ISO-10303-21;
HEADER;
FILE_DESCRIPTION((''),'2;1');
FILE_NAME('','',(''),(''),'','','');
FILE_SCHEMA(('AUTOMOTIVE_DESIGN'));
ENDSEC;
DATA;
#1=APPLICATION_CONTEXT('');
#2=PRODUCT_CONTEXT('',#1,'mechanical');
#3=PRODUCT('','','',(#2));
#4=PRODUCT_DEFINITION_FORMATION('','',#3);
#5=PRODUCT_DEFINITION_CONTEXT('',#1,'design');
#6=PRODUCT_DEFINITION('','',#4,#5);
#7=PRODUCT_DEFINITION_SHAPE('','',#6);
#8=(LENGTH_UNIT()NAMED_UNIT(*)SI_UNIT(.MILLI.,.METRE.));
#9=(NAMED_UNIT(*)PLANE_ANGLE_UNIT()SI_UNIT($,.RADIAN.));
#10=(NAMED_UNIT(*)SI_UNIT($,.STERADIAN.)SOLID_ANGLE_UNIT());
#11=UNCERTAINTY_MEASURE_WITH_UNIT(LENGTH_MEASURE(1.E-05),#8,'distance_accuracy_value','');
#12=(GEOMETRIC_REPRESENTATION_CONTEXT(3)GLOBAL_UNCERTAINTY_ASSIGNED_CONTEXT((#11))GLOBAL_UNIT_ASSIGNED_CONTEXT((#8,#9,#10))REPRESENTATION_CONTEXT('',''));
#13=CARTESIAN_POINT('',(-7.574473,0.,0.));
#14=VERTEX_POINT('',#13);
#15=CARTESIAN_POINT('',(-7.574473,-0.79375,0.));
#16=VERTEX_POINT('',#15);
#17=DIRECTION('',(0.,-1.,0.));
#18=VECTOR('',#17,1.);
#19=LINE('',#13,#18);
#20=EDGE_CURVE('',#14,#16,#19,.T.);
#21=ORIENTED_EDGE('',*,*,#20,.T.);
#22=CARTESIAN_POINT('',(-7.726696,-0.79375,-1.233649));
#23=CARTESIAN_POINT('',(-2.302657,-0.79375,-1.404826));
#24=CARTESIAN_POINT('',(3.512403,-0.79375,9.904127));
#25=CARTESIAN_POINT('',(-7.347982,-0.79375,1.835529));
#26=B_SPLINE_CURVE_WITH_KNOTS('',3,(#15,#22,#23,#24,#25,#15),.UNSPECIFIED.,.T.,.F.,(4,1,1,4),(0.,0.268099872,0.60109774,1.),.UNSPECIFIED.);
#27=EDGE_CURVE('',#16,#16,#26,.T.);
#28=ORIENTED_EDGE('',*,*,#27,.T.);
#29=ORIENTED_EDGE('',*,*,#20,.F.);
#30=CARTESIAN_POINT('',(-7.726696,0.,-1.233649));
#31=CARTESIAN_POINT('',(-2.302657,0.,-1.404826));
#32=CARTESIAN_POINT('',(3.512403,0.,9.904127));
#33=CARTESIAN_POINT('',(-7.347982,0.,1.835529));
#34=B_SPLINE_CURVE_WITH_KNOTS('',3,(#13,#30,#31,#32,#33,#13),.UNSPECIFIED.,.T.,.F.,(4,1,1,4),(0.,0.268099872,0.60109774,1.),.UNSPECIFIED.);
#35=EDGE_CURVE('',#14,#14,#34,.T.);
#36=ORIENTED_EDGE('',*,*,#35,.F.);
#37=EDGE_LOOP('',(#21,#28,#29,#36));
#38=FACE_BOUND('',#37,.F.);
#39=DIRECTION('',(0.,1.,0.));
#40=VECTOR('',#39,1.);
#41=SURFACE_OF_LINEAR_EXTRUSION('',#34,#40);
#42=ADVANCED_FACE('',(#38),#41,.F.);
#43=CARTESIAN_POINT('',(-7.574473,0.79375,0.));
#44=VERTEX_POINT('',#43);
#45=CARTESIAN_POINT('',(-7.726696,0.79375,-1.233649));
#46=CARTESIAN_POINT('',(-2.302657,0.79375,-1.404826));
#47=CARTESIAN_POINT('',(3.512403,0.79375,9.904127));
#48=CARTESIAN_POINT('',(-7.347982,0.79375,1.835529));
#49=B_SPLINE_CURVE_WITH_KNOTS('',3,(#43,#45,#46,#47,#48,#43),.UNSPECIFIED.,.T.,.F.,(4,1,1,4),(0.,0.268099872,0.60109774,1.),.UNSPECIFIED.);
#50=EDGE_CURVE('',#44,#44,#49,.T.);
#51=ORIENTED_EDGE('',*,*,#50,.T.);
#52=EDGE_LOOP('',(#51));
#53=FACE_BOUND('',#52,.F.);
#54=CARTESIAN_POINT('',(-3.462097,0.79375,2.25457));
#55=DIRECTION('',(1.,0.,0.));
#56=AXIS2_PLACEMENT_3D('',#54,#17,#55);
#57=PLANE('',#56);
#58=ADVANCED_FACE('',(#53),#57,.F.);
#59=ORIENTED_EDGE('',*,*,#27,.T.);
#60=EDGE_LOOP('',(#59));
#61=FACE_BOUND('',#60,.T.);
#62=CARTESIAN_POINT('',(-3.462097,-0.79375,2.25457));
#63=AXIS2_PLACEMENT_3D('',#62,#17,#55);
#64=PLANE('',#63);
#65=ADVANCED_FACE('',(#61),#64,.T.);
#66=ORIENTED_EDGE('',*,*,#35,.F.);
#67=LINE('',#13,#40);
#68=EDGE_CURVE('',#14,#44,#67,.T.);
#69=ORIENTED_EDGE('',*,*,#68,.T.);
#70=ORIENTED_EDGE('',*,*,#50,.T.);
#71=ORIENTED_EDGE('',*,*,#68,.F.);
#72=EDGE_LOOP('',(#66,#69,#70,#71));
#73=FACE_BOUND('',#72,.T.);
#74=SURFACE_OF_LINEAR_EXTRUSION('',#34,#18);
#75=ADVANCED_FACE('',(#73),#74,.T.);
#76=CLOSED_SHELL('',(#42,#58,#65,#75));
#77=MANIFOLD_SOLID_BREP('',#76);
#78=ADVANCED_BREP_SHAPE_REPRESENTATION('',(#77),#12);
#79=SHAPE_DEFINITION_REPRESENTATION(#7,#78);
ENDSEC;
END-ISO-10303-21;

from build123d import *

# Parameters (mm, degrees)
F1_DEPTH = 0.79375


with BuildPart() as f1:
    # F0 (on Front) → F1 (new body, symmetric)
    with BuildSketch(Plane.XZ):
        with BuildLine():
            add(Edge.make_bspline(
                [(-7.5744732217, 0), (-7.726696356, -1.2336485251), (-2.3026567307, -1.4048258672), (3.5124027959, 9.9041265374), (-7.3479824296, 1.8355293556), (-7.5744732217, 0)],
                knots=[0, 0, 0, 0, 0.2680998717, 0.60109774, 1, 1, 1, 1], degree=3))
        make_face()
    extrude(amount=F1_DEPTH, both=True)


solid = f1.part
